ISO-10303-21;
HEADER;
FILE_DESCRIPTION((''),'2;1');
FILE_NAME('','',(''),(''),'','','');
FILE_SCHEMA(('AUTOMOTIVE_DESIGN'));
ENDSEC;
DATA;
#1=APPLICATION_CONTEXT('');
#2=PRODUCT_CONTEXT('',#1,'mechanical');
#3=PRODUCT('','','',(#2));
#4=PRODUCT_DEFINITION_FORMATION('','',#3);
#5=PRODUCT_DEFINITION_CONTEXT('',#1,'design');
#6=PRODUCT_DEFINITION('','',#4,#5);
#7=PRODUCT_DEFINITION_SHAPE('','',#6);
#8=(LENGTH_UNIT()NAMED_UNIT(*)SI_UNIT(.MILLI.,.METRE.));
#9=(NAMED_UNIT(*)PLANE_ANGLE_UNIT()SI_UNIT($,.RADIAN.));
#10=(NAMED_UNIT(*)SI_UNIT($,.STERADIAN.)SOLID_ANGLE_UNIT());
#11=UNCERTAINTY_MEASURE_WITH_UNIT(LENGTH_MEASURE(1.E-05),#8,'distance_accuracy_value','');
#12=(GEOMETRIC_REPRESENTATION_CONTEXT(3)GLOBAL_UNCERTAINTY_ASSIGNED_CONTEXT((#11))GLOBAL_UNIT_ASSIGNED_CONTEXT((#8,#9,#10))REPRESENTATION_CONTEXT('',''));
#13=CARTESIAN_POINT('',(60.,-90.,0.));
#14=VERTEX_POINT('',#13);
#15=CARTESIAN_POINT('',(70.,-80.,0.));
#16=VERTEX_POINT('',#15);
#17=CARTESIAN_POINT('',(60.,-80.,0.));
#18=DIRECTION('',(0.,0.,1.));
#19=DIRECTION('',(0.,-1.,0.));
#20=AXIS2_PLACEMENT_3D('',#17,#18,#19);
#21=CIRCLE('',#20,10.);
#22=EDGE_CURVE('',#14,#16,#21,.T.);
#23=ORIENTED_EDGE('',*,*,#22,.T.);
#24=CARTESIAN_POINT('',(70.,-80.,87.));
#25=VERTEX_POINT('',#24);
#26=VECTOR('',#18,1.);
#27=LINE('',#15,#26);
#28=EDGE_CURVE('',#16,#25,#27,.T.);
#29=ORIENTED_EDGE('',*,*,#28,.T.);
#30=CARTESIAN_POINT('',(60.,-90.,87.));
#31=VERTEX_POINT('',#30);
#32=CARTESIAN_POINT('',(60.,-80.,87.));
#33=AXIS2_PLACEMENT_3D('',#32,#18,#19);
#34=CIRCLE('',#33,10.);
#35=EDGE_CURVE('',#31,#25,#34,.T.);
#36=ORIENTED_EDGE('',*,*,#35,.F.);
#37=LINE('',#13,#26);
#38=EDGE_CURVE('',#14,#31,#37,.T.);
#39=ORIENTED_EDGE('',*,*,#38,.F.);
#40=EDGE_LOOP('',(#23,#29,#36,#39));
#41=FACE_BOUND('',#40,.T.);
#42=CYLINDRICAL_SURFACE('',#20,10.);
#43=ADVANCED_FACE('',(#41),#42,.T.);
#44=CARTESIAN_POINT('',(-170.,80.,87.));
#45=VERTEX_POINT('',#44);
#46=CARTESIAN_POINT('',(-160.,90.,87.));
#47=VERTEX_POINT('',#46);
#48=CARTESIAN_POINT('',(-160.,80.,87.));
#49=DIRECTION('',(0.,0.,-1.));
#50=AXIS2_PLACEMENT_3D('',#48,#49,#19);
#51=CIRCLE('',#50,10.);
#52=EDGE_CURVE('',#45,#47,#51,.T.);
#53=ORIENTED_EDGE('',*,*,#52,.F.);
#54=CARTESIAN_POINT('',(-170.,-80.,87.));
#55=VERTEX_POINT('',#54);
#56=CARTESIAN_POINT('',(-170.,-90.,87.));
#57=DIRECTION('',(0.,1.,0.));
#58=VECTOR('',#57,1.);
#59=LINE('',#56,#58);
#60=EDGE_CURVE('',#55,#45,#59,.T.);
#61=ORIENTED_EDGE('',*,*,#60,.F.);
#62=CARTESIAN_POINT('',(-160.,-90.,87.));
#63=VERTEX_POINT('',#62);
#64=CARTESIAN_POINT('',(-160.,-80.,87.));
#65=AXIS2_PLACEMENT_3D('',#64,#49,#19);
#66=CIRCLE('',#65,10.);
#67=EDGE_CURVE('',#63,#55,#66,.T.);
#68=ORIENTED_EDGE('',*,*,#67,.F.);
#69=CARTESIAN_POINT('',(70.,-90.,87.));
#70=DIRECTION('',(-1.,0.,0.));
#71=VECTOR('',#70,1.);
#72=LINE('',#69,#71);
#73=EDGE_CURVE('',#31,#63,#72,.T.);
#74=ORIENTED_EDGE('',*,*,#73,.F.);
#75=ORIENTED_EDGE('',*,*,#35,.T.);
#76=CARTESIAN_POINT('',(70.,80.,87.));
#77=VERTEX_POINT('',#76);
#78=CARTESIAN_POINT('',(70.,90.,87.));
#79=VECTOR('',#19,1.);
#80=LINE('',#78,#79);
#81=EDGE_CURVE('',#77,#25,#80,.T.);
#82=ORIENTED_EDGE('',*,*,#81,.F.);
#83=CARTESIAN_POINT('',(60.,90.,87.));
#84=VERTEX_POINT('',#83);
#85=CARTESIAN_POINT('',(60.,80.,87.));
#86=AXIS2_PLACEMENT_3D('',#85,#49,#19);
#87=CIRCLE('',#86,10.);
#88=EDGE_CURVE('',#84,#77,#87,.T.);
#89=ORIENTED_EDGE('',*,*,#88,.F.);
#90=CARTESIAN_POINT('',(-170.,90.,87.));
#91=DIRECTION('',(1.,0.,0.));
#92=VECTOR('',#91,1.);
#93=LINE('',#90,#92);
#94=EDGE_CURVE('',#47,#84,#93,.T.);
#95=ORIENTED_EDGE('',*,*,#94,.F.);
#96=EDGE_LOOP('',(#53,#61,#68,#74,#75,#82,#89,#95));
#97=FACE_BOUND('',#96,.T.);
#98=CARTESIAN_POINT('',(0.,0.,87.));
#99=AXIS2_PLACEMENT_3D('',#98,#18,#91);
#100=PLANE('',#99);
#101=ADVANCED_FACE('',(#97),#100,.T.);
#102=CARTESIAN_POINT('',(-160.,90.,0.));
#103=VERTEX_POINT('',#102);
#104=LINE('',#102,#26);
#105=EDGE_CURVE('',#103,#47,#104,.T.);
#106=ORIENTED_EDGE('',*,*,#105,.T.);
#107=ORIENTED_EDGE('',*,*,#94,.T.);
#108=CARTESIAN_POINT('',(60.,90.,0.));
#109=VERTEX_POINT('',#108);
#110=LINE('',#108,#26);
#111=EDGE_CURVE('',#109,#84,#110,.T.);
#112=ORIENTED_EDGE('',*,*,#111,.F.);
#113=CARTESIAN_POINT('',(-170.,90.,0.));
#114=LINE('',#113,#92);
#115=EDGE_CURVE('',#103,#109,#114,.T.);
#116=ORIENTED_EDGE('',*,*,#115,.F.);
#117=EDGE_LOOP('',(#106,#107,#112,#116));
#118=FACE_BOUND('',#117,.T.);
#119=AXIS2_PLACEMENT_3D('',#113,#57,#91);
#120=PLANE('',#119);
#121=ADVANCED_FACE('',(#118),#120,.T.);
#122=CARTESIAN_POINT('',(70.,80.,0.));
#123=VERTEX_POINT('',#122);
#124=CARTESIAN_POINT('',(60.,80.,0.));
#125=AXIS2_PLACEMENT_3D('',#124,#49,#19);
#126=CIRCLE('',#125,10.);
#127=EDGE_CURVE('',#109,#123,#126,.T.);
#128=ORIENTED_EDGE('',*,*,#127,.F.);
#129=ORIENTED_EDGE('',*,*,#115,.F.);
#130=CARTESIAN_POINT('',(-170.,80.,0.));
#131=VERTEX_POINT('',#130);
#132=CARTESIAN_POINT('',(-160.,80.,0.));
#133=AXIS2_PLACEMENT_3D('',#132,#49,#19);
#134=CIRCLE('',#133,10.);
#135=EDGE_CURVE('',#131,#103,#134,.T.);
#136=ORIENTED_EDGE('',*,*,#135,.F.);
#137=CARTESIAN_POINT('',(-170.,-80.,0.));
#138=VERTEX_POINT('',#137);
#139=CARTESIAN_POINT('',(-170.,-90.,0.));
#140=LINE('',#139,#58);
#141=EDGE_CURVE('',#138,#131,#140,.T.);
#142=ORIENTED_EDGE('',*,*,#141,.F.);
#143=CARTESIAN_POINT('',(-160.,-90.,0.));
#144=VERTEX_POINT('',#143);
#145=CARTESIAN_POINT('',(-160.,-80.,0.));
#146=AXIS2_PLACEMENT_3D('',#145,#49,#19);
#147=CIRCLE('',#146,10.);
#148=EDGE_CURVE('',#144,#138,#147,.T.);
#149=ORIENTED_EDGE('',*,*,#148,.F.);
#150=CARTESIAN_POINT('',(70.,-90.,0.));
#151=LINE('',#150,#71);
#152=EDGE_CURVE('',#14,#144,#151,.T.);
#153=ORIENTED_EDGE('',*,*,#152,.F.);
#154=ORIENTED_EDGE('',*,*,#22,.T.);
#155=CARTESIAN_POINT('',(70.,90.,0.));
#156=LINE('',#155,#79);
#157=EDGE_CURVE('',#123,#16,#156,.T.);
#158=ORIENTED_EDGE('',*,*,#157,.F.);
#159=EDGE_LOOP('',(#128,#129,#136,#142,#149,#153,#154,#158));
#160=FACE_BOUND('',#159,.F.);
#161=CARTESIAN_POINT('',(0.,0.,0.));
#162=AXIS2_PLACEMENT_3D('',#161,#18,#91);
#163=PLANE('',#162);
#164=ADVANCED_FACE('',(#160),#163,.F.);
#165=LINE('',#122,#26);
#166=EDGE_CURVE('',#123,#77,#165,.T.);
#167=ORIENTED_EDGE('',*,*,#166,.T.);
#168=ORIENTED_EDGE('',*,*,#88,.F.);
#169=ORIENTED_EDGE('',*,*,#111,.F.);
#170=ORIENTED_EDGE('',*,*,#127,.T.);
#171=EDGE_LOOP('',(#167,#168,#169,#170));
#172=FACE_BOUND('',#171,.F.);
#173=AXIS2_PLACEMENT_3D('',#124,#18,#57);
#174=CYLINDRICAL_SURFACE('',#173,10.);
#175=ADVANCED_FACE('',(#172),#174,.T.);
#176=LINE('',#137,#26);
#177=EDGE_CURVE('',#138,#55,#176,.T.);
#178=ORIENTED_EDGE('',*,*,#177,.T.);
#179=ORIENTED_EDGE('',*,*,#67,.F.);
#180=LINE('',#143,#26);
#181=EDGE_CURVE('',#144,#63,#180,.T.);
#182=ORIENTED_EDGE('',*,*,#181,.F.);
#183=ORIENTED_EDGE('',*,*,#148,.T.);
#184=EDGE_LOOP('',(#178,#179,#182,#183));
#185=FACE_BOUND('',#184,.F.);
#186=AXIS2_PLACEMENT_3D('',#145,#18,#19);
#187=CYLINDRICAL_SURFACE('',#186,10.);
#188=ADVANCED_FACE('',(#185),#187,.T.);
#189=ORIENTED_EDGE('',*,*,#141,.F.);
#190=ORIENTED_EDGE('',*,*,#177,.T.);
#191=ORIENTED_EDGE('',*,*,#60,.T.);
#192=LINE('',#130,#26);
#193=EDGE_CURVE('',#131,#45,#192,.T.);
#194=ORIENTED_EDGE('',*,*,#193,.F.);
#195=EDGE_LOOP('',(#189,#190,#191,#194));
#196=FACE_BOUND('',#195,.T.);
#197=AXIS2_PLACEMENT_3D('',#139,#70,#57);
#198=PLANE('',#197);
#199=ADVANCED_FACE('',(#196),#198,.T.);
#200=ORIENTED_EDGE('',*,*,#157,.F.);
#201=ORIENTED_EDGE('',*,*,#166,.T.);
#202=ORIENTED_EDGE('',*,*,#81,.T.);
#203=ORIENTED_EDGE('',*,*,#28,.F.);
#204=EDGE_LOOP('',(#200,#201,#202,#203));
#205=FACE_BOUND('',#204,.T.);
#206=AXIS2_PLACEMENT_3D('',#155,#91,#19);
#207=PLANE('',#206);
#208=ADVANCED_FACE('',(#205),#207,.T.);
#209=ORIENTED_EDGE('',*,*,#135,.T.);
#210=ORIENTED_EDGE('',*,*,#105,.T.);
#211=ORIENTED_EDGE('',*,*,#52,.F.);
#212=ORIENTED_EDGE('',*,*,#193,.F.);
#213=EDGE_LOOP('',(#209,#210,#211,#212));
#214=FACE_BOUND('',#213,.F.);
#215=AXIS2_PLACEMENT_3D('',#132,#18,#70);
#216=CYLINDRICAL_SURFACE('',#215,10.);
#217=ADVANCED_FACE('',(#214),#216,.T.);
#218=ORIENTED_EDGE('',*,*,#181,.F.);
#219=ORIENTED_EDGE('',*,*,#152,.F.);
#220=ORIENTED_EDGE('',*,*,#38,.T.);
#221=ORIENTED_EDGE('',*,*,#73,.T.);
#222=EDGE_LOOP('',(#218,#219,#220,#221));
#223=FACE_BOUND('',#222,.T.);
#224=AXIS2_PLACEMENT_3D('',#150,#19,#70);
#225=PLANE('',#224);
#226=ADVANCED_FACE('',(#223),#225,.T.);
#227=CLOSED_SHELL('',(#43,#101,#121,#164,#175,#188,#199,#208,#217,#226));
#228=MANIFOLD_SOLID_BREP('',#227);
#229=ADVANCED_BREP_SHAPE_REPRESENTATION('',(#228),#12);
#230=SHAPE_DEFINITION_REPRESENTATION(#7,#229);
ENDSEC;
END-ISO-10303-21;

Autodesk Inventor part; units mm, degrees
ref_plane "YZ Plane" through (0, 0, 0) normal (1, 0, 0) x (0, 1, 0)
ref_plane "XZ Plane" through (0, 0, 0) normal (0, 1, 0) x (-1, 0, 0)
ref_plane "XY Plane" through (0, 0, 0) normal (0, 0, 1) x (1, 0, 0)
sketch "スケッチ1" plane through (0, 0, 0) normal (0, 0, 1) x (1, 0, 0)
  circle A0 centre (0, 0) radius 60
  line L0 (70, -90) -> (-170, -90)
  line L1 (-170, -90) -> (-170, 90)
  line L2 (-170, 90) -> (70, 90)
  line L3 (70, 90) -> (70, -90)
  line L4 (70, -90) -> (-170, 90) construction
  line L5 (-170, -90) -> (70, 90) construction
  point P0 (-50, 0)
  point P1 (-50, 0)
  point P2 (-50, 0)
  dimension "d0" = 120
  dimension "d3" = 240
  dimension "d4" = 180
  dimension "d10" = 70
extrude "押し出し1" add sketch "スケッチ1" along normal blind 87 contours A0 | L0 L1 L2 L3
fillet "フィレット1" radius 10 4 edges at (70, 90, 43.5) (-170, 90, 43.5) (-170, -90, 43.5) (70, -90, 43.5)
properties part number "link0"
